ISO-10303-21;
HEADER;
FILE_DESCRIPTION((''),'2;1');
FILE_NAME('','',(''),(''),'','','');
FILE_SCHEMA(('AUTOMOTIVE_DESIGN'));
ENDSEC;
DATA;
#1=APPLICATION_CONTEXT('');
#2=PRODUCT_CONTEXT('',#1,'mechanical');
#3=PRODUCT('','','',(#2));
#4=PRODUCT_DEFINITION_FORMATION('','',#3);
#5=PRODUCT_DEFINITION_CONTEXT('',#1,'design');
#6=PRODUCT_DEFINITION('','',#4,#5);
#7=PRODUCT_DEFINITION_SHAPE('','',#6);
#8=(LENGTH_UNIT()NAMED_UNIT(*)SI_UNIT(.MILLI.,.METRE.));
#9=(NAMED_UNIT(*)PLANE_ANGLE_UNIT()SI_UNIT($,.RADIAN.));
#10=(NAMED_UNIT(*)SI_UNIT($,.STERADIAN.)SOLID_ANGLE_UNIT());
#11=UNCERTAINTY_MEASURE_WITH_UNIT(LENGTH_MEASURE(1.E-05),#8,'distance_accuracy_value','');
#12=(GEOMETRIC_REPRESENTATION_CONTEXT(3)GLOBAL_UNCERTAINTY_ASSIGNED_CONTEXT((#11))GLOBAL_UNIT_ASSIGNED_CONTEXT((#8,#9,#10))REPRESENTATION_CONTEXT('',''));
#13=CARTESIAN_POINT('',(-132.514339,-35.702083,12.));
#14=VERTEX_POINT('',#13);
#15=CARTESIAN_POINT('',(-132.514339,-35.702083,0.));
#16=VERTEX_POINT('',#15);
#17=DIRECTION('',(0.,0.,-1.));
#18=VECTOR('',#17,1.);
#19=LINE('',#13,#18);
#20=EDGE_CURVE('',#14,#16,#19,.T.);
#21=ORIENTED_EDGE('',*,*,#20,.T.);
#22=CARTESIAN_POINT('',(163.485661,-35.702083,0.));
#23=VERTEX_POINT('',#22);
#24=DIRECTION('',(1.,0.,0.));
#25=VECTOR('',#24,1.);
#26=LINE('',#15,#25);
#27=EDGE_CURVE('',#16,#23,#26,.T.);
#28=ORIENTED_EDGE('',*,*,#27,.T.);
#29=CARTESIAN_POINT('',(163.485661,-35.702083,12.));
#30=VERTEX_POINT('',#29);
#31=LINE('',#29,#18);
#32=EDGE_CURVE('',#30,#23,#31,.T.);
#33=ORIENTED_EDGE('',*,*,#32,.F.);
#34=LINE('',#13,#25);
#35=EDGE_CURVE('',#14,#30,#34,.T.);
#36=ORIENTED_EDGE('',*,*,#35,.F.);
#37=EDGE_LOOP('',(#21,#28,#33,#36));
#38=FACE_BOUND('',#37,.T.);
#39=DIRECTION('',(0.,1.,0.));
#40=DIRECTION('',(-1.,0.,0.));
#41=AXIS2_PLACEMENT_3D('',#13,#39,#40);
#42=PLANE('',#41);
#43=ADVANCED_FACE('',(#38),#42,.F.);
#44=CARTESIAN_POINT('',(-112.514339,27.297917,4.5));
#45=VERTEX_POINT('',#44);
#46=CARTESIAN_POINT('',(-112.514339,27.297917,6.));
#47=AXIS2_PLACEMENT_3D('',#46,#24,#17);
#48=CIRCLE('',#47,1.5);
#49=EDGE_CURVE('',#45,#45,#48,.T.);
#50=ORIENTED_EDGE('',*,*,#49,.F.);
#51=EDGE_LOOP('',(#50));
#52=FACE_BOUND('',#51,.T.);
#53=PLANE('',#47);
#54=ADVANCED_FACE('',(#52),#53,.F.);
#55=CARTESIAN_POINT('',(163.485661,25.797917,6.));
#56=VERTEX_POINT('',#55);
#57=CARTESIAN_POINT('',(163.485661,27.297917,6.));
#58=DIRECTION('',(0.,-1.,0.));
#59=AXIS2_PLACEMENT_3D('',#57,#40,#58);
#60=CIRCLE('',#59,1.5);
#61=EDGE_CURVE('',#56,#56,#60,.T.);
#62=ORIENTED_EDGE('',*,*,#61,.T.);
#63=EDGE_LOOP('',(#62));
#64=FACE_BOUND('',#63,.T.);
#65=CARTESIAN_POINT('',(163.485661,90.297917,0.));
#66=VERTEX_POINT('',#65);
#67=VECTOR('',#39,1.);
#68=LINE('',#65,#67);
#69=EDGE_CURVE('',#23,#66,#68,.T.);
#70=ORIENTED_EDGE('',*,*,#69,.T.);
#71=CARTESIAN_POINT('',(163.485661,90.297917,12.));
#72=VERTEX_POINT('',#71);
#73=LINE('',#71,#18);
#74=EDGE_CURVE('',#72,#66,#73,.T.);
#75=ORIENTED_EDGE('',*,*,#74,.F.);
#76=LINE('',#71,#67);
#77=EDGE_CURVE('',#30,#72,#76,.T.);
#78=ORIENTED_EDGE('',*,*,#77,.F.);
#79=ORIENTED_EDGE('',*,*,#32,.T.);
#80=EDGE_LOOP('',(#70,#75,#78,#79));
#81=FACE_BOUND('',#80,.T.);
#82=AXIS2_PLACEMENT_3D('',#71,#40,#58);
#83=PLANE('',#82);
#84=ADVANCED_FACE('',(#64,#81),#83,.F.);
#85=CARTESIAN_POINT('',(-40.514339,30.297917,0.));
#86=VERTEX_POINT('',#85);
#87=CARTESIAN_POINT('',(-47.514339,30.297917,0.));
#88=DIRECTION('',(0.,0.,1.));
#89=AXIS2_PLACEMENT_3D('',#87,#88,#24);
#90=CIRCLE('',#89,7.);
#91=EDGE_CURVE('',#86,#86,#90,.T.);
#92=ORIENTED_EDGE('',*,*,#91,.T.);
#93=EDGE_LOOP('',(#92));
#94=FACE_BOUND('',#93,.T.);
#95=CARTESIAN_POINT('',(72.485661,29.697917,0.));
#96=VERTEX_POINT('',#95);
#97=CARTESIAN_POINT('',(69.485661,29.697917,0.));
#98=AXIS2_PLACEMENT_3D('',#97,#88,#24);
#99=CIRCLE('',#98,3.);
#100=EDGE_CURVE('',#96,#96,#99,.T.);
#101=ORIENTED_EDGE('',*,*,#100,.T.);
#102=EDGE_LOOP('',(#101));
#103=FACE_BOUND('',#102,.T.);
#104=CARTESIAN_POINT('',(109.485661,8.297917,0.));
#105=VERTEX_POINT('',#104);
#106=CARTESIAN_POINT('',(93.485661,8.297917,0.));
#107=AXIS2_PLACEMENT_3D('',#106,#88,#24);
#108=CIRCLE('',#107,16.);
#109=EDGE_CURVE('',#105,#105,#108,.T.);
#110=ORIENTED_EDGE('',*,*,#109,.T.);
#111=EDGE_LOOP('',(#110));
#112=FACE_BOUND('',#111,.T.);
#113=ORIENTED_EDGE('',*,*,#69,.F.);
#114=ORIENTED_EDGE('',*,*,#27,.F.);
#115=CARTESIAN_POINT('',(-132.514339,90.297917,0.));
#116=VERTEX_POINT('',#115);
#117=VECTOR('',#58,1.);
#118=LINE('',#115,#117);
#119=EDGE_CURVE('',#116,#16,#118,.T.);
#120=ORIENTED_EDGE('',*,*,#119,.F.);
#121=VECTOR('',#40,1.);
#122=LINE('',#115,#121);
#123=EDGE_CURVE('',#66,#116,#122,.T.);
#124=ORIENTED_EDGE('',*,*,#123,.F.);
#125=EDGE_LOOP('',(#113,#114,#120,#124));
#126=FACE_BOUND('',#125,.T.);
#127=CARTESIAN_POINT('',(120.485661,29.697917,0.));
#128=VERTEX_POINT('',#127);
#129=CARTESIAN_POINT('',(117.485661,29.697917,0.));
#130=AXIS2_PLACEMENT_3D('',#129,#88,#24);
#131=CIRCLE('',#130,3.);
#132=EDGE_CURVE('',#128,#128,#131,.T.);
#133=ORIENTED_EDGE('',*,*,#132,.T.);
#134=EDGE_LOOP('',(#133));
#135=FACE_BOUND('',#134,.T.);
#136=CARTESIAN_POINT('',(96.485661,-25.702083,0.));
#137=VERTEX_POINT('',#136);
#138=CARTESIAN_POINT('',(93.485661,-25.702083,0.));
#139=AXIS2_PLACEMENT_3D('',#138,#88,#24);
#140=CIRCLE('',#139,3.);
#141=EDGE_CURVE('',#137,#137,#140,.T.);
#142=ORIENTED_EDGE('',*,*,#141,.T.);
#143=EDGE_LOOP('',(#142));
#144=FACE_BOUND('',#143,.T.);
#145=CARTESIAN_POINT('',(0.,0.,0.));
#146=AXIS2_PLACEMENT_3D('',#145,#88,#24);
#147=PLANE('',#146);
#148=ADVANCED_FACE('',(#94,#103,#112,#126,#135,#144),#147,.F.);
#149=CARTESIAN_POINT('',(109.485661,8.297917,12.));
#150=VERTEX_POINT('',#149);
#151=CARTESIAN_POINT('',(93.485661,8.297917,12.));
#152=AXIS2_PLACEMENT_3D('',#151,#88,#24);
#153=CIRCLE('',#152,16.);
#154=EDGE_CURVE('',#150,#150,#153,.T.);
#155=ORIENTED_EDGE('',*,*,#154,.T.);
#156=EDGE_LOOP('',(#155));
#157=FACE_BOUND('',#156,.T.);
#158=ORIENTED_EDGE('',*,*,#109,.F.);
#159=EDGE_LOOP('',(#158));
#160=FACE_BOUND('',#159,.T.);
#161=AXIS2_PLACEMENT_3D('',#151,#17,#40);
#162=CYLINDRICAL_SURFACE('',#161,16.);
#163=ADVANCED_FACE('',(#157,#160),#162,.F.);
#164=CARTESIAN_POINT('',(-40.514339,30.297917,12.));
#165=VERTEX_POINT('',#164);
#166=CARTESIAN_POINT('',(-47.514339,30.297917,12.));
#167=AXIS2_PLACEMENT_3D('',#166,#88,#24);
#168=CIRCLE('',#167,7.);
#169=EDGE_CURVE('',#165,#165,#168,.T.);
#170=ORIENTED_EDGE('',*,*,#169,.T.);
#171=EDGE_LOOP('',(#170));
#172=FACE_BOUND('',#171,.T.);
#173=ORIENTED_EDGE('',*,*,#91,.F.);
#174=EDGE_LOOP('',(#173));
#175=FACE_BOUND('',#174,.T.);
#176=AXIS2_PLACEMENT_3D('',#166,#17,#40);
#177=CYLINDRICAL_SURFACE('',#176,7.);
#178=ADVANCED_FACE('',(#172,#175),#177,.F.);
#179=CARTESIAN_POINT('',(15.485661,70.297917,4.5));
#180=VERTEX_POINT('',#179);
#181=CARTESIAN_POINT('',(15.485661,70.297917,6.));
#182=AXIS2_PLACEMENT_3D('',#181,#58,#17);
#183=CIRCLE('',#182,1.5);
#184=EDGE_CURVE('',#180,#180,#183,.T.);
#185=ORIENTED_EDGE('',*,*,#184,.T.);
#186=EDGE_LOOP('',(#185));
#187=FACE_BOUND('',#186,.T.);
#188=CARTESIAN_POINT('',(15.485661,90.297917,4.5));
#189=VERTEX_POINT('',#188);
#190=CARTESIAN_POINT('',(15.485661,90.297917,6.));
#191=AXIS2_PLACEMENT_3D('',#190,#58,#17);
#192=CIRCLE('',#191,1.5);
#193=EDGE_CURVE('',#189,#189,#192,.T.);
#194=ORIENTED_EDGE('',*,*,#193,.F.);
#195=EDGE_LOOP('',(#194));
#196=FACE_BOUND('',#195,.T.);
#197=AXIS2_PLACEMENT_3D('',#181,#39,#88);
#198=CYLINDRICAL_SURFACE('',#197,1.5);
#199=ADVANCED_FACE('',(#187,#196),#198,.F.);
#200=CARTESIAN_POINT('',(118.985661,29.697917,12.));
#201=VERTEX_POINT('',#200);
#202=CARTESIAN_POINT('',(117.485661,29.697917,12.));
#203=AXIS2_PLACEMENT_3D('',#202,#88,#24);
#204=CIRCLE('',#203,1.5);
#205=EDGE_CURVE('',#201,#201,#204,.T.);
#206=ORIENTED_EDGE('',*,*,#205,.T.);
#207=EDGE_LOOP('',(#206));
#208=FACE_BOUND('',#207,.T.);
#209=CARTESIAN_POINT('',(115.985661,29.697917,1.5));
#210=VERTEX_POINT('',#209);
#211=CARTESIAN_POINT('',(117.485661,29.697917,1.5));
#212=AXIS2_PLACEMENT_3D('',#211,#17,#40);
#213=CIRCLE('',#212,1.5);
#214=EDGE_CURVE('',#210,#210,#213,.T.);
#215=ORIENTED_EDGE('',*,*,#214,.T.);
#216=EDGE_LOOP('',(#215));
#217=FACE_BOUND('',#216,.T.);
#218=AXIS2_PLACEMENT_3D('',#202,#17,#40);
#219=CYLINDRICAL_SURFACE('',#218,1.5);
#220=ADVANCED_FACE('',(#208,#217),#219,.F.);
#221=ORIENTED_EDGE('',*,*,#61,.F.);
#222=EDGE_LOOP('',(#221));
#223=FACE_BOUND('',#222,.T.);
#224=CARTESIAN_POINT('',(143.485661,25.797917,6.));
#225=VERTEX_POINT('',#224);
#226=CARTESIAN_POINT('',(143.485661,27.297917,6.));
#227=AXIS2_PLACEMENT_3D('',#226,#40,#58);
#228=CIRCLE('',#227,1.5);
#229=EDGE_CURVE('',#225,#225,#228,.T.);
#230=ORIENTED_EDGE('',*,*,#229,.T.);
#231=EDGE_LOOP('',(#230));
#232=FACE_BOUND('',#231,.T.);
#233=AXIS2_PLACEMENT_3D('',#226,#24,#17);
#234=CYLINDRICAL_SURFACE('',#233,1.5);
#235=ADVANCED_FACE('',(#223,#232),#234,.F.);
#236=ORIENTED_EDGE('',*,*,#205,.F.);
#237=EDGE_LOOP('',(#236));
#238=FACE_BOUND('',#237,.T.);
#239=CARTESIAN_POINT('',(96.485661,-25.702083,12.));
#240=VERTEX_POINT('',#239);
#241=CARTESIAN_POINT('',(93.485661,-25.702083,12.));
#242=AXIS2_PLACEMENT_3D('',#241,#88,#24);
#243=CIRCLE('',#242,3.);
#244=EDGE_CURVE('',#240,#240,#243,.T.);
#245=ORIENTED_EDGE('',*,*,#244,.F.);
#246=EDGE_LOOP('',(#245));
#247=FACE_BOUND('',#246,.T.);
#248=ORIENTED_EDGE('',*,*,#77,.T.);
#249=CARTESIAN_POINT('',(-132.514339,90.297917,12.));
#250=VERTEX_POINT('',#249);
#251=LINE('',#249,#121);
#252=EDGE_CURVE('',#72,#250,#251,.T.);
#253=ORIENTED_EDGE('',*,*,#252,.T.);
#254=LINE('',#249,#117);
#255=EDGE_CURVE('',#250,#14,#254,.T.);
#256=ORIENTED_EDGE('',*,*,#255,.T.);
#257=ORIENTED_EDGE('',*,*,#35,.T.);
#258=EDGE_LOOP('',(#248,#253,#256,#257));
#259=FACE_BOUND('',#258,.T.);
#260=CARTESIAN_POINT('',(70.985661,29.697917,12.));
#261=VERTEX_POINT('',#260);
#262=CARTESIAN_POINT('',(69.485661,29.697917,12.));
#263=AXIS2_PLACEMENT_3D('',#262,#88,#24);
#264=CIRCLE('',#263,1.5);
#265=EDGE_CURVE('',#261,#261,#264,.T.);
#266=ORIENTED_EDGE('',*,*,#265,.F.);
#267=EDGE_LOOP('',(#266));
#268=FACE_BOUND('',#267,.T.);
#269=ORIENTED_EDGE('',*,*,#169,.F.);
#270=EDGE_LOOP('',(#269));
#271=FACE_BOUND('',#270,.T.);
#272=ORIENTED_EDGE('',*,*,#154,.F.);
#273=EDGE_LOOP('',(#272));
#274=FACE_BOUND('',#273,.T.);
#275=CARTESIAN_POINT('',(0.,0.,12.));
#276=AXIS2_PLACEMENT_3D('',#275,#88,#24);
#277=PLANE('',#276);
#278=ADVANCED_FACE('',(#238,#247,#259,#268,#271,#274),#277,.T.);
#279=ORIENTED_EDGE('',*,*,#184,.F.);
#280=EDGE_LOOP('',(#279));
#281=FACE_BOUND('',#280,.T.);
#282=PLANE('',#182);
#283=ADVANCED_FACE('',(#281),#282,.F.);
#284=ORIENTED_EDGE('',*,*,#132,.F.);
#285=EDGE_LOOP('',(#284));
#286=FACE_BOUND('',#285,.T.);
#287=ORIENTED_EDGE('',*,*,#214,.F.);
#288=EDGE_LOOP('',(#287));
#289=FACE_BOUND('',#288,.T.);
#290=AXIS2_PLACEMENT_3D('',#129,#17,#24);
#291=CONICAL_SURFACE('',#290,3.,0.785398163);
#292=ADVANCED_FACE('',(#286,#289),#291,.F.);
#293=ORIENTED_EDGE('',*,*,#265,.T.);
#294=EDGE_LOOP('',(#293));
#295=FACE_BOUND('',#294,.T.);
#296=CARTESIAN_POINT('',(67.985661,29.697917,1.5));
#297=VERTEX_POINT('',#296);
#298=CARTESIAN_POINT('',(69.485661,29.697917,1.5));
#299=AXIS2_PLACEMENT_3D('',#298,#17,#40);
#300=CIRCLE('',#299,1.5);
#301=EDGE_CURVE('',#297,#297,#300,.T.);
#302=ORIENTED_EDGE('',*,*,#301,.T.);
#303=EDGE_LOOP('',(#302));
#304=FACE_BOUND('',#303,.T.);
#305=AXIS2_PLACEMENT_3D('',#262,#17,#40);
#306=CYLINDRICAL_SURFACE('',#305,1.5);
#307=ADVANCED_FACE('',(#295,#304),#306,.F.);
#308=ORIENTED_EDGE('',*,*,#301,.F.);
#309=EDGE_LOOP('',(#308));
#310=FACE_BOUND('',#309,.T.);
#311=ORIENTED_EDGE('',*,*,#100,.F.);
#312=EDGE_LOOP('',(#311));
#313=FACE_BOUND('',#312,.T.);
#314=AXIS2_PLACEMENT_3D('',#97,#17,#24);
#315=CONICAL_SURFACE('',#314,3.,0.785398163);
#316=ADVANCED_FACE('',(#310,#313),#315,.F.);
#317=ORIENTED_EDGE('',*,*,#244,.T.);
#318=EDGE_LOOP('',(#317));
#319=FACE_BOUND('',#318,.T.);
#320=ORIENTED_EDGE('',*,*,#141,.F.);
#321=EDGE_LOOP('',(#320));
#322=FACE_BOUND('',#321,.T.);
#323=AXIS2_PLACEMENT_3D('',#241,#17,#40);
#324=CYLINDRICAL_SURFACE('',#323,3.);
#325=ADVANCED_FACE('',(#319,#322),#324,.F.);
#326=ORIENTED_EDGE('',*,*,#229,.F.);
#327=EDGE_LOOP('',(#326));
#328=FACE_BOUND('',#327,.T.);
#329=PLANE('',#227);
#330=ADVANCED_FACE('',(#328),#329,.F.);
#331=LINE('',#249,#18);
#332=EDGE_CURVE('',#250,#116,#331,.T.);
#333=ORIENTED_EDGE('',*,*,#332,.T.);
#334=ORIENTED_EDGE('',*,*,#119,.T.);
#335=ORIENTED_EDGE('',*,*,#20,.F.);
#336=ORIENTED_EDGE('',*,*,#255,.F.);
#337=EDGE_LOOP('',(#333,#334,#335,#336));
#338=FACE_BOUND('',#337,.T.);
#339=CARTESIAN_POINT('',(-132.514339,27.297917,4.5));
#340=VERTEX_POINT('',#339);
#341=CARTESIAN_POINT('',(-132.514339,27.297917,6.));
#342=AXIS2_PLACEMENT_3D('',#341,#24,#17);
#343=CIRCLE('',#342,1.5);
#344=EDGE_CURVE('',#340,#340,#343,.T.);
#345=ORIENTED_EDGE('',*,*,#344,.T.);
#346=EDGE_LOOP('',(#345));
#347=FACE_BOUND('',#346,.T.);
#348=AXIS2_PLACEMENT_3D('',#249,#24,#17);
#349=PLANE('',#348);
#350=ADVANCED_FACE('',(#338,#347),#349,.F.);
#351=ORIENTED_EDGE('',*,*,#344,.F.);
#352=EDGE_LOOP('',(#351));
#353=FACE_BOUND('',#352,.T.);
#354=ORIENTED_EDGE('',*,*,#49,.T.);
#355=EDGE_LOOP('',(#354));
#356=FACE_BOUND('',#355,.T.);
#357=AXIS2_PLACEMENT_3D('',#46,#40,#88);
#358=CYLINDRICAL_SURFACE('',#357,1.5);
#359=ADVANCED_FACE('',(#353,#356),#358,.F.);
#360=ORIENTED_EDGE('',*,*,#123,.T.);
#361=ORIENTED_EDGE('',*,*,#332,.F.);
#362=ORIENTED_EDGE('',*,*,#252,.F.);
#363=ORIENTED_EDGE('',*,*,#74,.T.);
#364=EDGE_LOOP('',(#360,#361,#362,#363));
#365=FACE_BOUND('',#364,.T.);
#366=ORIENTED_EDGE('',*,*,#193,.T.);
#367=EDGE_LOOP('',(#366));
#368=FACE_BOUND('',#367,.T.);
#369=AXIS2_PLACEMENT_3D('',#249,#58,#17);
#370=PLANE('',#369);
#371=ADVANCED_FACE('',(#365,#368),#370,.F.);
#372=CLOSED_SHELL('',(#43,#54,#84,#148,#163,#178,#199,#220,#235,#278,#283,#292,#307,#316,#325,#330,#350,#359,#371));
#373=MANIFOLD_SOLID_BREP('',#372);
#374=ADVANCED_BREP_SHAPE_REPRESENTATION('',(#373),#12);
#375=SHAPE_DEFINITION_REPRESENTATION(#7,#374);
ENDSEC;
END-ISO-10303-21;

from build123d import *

# Parameters (mm, degrees)
SKETCH1_W           = 296
SKETCH1_H           = 126
SKETCH1_R           = 16
SKETCH1_R_2         = 7
SKETCH1_R_3         = 1.5
SKETCH1_R_4         = 3
BOSS_EXTRUDE1_DEPTH = 12
CUT_EXTRUDE1_START  = 90.297917
SKETCH2_R           = 1.5
CUT_EXTRUDE1_DEPTH  = 20
CUT_EXTRUDE3_START  = 163.485661
SKETCH3_R           = 1.5
CUT_EXTRUDE3_DEPTH  = 20
CUT_EXTRUDE4_START  = -132.514339
SKETCH3_2_R         = 1.5
CUT_EXTRUDE4_DEPTH  = 20
SKETCH4_R           = 3
CUT_EXTRUDE5_DEPTH  = 3
CUT_EXTRUDE5_TAPER  = 45


with BuildPart() as part:
    # Sketch1 → Boss-Extrude1 (new body)
    with BuildSketch(Plane.XY):
        with Locations((15.485661099, 27.29791691)):
            Rectangle(SKETCH1_W, SKETCH1_H)
        with Locations((93.485661099, 8.29791691)):
            Circle(SKETCH1_R, mode=Mode.SUBTRACT)
        with Locations((-47.514338901, 30.29791691)):
            Circle(SKETCH1_R_2, mode=Mode.SUBTRACT)
        with Locations((69.485661099, 29.69791691)):
            Circle(SKETCH1_R_3, mode=Mode.SUBTRACT)
        with Locations((117.485661099, 29.69791691)):
            Circle(SKETCH1_R_3, mode=Mode.SUBTRACT)
        with Locations((93.485661099, -25.70208309)):
            Circle(SKETCH1_R_4, mode=Mode.SUBTRACT)
    extrude(amount=BOSS_EXTRUDE1_DEPTH)

    # Sketch2 → Cut-Extrude1 (cut)
    with BuildSketch(Plane(origin=(0, 0, 0), x_dir=(1, 0, 0), z_dir=(0, 1, 0)).offset(CUT_EXTRUDE1_START)):
        with Locations((15.485661099, -6)):
            Circle(SKETCH2_R)
    extrude(amount=-CUT_EXTRUDE1_DEPTH, mode=Mode.SUBTRACT)

    # Sketch3 → Cut-Extrude3 (cut)
    with BuildSketch(Plane(origin=(0, 0, 0), x_dir=(0, 0, -1), z_dir=(1, 0, 0)).offset(CUT_EXTRUDE3_START)):
        with Locations((-6, 27.29791691)):
            Circle(SKETCH3_R)
    extrude(amount=-CUT_EXTRUDE3_DEPTH, mode=Mode.SUBTRACT)

    # Sketch3<2> → Cut-Extrude4 (cut)
    with BuildSketch(Plane(origin=(0, 0, 0), x_dir=(0, 0, -1), z_dir=(1, 0, 0)).offset(CUT_EXTRUDE4_START)):
        with Locations((-6, 27.29791691)):
            Circle(SKETCH3_2_R)
    extrude(amount=CUT_EXTRUDE4_DEPTH, mode=Mode.SUBTRACT)

    # Sketch4 → Cut-Extrude5 (cut)
    with BuildSketch(Plane.XY):
        with Locations((117.485661099, 29.69791691)):
            Circle(SKETCH4_R)
        with Locations((69.485661099, 29.69791691)):
            Circle(SKETCH4_R)
    extrude(amount=CUT_EXTRUDE5_DEPTH, taper=CUT_EXTRUDE5_TAPER, mode=Mode.SUBTRACT)


solid = part.part
